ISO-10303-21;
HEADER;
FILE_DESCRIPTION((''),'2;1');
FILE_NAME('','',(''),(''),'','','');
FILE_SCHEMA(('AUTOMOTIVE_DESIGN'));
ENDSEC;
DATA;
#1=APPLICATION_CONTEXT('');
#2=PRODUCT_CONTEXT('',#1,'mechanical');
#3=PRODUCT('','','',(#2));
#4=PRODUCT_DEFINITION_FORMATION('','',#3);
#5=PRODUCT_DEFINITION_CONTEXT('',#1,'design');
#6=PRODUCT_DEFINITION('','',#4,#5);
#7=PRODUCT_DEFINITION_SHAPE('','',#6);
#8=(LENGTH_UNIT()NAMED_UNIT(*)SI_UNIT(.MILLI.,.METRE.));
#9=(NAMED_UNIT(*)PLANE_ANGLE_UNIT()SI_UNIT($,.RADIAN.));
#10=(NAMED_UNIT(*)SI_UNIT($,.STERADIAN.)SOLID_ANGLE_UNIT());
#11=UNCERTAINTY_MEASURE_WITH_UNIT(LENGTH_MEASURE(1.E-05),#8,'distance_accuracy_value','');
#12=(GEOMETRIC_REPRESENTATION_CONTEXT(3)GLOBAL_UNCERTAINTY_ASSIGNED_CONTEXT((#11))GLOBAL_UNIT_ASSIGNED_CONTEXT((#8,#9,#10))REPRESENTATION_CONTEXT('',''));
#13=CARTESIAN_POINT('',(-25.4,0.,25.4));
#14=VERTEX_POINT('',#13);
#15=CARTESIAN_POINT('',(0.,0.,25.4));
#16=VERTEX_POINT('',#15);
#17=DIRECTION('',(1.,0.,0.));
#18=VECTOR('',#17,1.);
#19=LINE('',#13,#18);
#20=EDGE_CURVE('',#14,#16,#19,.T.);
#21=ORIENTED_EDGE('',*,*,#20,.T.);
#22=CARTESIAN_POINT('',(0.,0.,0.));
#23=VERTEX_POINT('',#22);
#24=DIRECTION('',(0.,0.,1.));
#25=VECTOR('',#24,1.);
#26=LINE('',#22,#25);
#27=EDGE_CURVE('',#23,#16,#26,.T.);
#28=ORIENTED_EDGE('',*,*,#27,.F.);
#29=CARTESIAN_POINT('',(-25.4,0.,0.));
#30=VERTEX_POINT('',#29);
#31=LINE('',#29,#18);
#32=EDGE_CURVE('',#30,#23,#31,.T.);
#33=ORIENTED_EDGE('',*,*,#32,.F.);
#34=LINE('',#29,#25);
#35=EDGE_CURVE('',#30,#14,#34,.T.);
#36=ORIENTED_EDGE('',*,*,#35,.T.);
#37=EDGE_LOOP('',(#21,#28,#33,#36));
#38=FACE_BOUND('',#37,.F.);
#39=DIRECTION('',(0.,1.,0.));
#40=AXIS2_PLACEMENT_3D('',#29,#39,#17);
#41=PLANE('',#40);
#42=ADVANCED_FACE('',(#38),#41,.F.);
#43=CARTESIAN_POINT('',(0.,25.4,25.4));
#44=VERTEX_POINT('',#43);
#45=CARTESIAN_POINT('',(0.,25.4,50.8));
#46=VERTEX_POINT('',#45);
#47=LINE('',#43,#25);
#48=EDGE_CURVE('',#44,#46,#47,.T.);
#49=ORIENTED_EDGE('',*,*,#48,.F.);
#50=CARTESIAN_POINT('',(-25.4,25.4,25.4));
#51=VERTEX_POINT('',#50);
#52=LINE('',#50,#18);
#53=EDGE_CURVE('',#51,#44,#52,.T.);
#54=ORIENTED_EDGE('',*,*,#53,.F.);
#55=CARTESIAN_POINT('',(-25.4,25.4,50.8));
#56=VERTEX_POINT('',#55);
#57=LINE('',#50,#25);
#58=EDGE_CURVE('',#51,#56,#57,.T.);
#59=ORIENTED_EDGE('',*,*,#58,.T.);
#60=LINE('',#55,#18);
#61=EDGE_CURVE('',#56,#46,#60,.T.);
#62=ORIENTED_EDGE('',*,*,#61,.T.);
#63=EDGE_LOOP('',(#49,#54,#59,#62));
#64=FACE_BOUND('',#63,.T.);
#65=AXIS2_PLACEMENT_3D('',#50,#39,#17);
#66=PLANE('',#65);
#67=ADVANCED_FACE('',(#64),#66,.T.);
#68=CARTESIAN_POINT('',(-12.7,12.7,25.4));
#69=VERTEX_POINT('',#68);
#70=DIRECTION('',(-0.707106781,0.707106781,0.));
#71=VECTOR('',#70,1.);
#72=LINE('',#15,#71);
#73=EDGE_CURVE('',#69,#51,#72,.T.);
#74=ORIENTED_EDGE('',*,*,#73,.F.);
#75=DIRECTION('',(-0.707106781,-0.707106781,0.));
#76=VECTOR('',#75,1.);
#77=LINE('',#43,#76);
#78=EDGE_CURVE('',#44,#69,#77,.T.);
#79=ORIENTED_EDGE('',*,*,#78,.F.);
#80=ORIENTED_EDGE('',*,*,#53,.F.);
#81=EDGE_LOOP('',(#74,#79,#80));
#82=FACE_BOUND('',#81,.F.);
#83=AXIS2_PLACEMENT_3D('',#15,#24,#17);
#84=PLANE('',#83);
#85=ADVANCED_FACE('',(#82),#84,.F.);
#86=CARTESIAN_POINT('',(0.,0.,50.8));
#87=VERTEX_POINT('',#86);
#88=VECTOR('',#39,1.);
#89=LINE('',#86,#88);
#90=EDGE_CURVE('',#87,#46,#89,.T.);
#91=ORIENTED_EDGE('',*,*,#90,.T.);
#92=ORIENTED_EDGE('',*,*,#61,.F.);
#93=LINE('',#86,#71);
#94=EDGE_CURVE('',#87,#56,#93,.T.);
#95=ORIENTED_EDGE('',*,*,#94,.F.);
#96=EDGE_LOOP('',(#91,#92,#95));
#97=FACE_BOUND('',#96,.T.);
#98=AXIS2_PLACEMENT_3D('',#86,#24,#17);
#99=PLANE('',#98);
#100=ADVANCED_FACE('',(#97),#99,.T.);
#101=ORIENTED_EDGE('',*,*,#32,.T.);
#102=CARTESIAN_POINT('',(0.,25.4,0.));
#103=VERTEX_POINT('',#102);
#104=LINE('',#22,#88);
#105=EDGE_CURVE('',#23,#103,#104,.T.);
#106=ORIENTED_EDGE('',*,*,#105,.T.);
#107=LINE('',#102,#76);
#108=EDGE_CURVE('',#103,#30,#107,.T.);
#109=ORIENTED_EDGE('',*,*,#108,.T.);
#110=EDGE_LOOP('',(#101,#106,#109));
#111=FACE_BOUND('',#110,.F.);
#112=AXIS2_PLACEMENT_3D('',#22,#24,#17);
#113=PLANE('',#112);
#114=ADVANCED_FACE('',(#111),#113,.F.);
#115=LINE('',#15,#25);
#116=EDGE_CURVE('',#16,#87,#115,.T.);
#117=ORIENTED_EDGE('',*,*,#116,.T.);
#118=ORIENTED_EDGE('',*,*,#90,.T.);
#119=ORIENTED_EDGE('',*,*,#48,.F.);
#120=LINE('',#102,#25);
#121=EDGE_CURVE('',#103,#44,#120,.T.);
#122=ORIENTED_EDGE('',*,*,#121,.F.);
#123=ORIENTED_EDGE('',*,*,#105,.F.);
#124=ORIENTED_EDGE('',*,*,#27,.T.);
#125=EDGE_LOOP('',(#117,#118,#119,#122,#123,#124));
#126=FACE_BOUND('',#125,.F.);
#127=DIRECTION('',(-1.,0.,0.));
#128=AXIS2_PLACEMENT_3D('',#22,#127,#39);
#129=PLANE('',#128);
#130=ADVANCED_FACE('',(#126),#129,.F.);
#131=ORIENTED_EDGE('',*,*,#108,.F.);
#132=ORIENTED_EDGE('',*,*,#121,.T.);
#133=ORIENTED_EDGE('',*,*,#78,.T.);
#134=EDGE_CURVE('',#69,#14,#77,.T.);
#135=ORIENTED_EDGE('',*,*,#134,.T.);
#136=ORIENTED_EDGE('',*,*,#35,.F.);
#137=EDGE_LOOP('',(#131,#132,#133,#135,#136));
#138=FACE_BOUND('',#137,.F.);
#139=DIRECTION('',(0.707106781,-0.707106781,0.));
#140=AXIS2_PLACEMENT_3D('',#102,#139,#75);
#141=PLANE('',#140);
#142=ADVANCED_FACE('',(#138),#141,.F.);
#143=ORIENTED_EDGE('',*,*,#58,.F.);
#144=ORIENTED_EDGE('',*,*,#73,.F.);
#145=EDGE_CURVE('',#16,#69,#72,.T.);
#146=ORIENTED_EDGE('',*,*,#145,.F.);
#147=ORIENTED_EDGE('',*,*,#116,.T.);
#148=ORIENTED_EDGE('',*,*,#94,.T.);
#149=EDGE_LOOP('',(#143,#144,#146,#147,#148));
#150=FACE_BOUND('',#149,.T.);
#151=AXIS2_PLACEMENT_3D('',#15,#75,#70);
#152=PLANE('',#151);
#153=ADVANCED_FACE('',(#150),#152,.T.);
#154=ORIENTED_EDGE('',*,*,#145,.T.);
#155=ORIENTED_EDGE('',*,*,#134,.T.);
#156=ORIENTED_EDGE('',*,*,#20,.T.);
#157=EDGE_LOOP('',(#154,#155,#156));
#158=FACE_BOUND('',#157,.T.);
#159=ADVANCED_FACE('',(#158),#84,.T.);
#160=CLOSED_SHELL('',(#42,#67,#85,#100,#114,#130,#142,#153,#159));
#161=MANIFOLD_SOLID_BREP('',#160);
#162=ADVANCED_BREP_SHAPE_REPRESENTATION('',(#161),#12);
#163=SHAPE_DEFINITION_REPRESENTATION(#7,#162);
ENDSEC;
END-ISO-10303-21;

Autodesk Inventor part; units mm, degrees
ref_plane "YZ Plane" through (0, 0, 0) normal (1, 0, 0) x (0, 1, 0)
ref_plane "XZ Plane" through (0, 0, 0) normal (0, 1, 0) x (-1, 0, 0)
ref_plane "XY Plane" through (0, 0, 0) normal (0, 0, 1) x (1, 0, 0)
sketch "Sketch1" plane through (0, 0, 0) normal (0, 0, 1) x (1, 0, 0)
  line L0 (0, 0) -> (0, 25.4)
  line L1 (0, 25.4) -> (-25.4, 0)
  line L2 (-25.4, 0) -> (0, 0)
  dimension "d0" = 45
  dimension "d1" = 45
  dimension "d2" = 25.4
extrude "Extrusion1" add sketch "Sketch1" along normal blind 25.4
sketch "Sketch2" plane through (0, 0, 25.4) normal (0, 0, 1) x (1, 0, 0)
  line L0 (0, 0) -> (-25.4, 25.4)
  line L1 (-25.4, 25.4) -> (0, 25.4)
  line L2 (0, 0) -> (0, 25.4) projected
  line L3 (-25.4, 0) -> (-25.4, 25.4)
  dimension "d5" = 25.4
extrude "Extrusion2" add sketch "Sketch2" along normal blind 25.4
properties part number "test_part_2"
